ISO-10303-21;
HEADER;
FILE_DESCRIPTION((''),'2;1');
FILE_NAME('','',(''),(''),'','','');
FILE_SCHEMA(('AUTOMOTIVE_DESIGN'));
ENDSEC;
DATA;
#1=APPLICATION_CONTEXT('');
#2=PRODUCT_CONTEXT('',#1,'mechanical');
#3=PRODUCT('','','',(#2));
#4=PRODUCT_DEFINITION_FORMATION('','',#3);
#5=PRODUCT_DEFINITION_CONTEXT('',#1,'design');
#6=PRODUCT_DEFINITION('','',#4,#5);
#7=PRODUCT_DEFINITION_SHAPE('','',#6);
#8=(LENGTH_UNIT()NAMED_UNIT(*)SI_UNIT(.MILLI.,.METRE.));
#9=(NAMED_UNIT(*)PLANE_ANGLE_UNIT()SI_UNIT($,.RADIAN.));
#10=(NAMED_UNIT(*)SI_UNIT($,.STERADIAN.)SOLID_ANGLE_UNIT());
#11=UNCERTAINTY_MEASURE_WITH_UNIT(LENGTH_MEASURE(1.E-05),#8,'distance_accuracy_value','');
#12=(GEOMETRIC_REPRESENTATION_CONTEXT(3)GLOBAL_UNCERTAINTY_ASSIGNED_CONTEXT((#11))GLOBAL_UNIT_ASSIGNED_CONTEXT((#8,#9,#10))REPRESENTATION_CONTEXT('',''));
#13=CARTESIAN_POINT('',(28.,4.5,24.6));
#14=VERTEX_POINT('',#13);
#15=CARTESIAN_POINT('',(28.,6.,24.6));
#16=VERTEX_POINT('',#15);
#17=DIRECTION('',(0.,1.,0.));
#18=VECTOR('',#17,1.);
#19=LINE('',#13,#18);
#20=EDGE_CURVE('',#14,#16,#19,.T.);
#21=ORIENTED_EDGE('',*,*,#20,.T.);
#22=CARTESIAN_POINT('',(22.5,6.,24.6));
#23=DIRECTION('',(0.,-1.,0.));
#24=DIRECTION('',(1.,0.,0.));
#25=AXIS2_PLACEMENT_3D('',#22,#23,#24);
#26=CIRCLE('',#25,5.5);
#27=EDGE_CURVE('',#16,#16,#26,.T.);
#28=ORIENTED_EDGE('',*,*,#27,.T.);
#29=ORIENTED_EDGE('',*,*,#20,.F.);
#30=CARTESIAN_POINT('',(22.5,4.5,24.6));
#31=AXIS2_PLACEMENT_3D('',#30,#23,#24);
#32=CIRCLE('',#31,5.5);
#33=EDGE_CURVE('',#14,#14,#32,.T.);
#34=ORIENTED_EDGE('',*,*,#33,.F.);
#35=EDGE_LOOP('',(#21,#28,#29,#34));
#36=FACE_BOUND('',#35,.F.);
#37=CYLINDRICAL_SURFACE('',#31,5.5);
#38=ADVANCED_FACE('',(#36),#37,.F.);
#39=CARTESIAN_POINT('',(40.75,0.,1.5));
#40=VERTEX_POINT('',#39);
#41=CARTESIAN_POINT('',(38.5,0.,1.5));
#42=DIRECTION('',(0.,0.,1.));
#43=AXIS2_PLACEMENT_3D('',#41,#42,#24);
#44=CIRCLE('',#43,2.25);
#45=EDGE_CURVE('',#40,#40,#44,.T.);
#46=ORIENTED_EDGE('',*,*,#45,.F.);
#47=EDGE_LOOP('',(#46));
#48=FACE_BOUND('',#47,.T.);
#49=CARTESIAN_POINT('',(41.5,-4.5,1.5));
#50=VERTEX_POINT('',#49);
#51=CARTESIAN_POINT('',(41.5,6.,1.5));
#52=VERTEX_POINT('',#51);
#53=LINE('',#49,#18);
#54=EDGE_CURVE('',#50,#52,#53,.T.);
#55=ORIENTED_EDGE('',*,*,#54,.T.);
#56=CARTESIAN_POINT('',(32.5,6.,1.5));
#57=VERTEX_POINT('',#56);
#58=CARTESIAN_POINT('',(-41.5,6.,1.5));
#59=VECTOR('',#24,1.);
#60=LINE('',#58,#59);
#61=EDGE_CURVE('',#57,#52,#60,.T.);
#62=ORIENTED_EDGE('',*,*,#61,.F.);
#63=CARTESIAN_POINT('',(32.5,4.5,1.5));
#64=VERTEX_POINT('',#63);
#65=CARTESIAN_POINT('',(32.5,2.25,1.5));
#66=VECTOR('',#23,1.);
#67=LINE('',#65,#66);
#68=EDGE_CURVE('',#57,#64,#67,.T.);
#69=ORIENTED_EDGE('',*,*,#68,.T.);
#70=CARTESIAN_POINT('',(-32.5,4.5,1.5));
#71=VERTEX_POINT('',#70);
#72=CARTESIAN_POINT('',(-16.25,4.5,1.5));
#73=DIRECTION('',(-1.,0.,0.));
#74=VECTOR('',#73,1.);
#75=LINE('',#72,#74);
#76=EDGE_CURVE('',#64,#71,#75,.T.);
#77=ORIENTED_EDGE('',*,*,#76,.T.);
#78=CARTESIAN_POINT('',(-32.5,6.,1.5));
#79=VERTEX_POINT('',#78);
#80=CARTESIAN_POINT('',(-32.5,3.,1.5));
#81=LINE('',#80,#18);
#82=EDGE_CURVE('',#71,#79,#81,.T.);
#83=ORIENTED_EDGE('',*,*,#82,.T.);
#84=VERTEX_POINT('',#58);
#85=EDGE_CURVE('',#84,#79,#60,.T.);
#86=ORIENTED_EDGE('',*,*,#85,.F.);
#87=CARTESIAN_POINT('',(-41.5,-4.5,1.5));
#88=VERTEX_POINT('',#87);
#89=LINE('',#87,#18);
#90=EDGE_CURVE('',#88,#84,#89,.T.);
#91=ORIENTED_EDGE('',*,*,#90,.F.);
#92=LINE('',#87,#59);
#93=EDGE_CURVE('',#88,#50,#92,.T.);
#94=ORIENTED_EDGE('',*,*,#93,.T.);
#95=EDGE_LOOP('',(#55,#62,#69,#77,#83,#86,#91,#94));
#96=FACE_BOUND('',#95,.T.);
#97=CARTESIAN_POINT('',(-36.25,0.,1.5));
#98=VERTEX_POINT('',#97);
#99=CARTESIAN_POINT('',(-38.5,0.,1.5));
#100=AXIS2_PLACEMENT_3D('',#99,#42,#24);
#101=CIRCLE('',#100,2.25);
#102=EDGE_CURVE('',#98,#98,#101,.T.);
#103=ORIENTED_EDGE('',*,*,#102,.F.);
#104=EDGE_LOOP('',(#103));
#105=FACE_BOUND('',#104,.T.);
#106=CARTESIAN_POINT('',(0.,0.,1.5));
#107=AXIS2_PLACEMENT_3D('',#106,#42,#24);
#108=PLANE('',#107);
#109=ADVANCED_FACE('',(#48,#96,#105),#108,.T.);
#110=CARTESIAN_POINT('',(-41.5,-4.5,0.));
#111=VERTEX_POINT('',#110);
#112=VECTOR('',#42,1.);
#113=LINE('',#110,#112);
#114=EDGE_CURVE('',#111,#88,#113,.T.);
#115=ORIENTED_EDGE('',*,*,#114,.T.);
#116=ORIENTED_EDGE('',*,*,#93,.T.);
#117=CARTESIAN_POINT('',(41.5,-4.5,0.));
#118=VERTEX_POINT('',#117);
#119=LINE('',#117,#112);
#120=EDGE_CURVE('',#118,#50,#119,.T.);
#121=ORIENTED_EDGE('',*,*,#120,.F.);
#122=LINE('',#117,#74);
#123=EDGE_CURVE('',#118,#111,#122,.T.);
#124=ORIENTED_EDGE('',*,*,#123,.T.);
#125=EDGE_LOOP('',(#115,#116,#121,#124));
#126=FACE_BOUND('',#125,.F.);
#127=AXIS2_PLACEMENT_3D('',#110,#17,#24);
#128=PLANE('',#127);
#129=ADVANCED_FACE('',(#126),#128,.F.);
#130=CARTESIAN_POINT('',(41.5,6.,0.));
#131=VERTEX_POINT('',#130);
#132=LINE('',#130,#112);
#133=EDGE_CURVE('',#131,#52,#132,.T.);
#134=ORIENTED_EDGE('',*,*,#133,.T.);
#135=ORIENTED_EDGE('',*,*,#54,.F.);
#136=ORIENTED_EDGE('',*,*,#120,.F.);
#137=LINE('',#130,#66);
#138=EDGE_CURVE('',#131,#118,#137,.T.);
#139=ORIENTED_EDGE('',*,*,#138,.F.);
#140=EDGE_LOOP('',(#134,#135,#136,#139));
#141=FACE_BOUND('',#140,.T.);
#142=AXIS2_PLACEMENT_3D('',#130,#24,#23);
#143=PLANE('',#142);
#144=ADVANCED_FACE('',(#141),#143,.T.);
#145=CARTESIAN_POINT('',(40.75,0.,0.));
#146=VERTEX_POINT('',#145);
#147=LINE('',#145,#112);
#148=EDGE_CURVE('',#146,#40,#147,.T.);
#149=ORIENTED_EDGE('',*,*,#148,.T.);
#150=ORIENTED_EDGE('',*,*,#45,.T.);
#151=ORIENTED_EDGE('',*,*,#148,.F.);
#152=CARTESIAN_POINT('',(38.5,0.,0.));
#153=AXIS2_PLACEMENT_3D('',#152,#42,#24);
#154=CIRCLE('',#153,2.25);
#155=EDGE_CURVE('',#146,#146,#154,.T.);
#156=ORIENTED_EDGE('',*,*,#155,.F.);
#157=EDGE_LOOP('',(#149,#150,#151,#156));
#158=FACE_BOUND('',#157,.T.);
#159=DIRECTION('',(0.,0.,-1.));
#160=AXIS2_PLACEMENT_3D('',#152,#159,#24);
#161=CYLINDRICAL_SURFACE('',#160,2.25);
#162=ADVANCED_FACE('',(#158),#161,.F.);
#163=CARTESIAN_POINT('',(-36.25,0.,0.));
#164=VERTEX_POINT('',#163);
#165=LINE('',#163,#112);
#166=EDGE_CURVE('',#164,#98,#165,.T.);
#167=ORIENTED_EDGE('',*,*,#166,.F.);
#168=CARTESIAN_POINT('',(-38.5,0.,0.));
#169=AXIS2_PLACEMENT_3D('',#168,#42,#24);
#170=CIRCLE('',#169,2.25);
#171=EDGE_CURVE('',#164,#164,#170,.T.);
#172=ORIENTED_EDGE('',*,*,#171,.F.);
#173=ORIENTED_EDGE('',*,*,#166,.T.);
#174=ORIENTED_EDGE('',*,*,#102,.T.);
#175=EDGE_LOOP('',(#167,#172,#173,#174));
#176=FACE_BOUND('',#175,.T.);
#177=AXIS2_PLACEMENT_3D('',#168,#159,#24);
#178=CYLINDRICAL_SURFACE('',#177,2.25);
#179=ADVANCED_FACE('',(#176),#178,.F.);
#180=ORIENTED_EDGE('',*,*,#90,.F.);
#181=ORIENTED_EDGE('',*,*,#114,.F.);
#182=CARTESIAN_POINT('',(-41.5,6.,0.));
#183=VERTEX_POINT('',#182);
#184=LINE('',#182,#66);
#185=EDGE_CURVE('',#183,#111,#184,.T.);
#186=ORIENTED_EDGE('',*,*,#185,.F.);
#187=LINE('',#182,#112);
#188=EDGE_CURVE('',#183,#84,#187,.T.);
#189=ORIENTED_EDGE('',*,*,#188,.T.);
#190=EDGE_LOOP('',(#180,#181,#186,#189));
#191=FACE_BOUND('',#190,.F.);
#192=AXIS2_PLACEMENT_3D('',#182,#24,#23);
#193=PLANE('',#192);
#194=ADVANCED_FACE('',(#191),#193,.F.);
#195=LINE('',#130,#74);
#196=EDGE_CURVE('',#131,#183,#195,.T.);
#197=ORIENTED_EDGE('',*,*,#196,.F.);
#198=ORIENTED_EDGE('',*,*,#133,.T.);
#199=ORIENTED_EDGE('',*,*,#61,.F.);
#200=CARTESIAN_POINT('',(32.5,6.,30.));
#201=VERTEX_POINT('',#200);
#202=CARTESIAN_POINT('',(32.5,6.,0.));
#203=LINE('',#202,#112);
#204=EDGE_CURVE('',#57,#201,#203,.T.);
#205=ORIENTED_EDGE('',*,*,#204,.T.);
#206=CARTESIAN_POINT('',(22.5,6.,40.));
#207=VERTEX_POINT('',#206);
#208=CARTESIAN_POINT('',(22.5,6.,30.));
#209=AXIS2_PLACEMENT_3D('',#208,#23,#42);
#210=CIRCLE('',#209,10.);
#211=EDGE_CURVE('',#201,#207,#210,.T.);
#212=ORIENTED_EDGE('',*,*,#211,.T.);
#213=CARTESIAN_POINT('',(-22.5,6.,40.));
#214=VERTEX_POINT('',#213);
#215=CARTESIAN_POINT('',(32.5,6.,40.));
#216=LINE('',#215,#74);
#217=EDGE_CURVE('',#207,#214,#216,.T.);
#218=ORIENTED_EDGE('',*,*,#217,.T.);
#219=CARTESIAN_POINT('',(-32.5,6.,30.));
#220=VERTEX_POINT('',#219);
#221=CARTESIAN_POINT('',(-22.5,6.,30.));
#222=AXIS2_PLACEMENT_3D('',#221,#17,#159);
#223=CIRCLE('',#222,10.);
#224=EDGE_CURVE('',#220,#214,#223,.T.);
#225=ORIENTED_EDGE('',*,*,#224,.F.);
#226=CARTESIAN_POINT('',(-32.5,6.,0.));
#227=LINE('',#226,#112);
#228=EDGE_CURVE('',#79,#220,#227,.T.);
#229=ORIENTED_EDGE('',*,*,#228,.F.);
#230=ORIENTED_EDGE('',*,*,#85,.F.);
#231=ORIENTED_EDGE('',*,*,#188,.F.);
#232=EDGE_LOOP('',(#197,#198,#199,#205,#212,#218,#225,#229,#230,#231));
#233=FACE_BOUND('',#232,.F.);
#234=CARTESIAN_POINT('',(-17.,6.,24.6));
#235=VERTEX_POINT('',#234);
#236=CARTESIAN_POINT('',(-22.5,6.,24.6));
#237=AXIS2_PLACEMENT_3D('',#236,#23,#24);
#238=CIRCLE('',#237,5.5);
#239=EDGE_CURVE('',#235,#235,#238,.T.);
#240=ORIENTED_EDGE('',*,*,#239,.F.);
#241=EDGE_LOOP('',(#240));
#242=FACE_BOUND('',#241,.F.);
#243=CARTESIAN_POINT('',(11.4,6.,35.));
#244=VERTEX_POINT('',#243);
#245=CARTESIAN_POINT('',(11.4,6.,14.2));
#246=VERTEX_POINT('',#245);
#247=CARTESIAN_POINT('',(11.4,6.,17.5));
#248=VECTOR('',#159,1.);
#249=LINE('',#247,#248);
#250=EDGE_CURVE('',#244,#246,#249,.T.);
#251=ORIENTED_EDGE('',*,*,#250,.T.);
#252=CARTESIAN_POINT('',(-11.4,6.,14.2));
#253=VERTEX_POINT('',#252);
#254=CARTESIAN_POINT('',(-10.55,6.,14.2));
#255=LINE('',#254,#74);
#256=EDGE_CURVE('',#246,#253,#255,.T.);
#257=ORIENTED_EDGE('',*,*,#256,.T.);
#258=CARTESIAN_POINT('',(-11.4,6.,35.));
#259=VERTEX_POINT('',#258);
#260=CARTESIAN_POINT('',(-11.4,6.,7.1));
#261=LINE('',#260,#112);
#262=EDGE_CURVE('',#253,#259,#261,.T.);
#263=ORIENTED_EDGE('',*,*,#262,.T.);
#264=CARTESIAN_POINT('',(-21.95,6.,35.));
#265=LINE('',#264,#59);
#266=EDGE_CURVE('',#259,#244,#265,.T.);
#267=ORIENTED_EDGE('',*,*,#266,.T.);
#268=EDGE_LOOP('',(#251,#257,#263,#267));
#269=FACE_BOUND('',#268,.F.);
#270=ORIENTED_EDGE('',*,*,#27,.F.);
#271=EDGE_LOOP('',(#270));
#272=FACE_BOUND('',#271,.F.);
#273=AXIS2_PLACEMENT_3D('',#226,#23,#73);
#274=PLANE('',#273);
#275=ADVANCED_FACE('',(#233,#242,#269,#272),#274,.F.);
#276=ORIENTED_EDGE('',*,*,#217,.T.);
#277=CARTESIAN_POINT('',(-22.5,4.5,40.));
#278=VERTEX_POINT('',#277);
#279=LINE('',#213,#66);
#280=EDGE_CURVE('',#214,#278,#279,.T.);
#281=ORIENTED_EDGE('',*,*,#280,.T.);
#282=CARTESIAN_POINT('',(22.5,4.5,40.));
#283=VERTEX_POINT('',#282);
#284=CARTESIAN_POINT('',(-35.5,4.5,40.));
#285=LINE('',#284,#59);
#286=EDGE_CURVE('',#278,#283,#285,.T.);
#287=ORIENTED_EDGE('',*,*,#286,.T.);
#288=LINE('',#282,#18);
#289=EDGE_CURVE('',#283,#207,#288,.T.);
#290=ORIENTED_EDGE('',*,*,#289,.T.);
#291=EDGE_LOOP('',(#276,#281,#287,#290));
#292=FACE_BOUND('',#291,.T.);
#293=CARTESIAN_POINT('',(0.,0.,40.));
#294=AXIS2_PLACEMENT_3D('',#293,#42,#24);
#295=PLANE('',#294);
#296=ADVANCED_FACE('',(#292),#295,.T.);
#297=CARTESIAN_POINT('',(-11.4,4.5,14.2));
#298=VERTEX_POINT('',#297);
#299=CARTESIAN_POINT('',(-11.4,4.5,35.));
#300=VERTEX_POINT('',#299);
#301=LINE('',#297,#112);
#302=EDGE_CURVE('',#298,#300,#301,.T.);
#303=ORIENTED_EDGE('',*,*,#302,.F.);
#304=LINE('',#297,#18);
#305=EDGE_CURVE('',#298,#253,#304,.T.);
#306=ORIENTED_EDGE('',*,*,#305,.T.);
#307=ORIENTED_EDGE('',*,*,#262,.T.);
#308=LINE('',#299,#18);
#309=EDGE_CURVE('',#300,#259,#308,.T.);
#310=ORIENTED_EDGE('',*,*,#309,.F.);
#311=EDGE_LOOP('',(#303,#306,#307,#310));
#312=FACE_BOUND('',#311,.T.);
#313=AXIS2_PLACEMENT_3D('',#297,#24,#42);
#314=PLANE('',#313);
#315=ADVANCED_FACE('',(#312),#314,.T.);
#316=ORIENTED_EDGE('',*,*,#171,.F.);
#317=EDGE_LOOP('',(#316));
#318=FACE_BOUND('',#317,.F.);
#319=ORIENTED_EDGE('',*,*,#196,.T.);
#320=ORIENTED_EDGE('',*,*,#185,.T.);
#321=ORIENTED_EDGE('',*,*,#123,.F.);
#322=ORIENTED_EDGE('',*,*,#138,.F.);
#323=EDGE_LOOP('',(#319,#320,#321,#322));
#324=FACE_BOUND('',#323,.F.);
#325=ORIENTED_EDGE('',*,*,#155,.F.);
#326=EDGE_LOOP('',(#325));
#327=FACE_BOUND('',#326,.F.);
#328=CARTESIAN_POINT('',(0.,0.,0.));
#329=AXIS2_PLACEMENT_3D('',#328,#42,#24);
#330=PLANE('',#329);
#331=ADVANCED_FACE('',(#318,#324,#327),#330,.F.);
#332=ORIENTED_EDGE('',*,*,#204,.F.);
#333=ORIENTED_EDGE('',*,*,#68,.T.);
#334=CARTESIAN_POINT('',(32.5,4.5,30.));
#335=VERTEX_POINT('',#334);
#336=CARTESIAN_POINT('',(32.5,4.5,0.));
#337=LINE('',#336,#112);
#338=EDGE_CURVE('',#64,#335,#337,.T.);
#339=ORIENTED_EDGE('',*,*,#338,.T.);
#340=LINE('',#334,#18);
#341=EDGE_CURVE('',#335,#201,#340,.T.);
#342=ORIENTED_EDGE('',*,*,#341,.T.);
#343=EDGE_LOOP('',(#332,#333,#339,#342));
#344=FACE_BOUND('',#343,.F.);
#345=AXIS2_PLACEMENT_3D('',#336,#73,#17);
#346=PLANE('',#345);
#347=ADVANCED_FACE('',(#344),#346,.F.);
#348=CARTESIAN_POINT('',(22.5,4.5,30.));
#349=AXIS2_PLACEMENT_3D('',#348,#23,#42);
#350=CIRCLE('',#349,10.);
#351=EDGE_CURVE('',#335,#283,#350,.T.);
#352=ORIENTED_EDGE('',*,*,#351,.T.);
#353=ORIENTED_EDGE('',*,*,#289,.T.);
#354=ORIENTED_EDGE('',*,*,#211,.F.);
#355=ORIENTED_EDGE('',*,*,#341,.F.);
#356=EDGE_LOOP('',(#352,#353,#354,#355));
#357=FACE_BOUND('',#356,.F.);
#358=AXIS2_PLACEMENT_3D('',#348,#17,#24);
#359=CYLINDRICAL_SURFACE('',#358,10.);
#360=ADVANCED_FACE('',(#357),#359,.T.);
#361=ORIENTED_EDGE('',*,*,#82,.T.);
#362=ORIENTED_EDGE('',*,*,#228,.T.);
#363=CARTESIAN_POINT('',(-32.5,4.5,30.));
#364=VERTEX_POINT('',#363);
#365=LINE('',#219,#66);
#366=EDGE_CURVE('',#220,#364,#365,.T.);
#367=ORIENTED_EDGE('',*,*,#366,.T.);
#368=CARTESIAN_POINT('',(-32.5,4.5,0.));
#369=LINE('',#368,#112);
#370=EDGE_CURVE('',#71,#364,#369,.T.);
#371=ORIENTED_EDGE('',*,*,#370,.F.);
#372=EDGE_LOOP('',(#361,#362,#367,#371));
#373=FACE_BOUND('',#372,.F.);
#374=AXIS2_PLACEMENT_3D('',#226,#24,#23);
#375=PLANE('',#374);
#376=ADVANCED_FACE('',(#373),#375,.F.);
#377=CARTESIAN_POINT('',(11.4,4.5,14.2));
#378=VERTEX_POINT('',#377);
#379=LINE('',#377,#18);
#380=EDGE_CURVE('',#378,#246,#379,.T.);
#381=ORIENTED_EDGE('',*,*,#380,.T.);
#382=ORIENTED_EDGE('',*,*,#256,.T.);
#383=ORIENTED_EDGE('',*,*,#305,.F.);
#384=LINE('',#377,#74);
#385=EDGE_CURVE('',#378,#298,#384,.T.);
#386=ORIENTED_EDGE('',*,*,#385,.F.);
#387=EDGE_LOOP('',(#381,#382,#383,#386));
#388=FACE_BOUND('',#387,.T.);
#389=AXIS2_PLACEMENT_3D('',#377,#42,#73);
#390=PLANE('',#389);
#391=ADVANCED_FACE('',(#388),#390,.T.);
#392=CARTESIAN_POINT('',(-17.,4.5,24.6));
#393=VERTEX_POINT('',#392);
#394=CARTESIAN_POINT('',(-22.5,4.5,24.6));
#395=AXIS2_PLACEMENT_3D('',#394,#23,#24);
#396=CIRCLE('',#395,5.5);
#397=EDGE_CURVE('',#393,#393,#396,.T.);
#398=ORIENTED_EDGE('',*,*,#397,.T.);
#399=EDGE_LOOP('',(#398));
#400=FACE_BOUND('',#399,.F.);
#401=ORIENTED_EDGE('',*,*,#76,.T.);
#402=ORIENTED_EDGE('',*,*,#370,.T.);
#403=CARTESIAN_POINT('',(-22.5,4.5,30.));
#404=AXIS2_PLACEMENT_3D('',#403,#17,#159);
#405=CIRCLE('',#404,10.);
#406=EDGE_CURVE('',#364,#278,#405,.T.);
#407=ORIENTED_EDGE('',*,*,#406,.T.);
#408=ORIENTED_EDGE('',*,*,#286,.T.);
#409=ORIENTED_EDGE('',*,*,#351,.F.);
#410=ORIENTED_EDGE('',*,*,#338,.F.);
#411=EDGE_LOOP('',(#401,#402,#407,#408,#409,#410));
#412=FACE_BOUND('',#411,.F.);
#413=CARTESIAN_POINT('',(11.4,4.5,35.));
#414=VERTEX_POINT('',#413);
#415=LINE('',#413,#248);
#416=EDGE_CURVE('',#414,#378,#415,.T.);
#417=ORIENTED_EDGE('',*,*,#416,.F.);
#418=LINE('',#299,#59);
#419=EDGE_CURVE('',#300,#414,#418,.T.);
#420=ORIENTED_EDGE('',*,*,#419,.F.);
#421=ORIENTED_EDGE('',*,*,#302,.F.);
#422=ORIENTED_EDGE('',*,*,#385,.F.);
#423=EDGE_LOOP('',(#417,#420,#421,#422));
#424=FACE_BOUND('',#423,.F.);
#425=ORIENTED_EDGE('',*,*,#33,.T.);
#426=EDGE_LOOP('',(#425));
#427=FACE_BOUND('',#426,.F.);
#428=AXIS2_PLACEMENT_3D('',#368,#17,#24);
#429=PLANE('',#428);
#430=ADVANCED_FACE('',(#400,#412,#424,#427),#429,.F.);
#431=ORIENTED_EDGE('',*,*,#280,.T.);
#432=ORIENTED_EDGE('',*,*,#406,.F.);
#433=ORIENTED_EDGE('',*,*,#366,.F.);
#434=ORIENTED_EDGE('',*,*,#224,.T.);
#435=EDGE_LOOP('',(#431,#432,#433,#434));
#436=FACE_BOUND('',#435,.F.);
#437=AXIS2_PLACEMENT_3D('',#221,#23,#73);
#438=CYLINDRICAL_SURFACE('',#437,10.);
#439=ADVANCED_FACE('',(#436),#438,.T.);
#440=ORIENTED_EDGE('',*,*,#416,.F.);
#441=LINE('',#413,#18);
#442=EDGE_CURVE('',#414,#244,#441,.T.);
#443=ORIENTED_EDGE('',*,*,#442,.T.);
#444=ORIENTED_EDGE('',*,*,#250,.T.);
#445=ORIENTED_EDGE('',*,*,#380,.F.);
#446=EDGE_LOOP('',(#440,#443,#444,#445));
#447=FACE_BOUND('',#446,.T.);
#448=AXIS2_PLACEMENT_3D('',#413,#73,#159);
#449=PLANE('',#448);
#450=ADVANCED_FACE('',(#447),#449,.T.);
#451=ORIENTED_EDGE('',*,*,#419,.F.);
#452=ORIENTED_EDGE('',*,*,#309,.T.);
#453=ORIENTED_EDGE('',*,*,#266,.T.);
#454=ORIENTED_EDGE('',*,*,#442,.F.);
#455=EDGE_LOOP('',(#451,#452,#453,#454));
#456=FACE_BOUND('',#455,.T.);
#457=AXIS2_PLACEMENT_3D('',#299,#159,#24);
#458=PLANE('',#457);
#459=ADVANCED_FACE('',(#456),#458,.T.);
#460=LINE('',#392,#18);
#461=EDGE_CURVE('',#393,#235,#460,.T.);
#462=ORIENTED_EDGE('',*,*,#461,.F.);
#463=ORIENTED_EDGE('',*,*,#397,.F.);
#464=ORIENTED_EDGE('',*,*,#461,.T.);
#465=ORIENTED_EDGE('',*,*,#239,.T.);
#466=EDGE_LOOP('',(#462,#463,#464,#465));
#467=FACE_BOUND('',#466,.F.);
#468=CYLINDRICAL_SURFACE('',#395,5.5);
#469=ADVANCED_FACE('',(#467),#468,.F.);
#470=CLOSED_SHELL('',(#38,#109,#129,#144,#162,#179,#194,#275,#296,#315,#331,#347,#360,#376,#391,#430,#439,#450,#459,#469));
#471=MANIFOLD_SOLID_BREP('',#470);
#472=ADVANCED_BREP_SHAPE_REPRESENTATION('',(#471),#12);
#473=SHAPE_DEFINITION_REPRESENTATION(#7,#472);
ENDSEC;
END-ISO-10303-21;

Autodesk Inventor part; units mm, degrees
ref_plane "YZ Plane" through (0, 0, 0) normal (1, 0, 0) x (0, 1, 0)
ref_plane "XZ Plane" through (0, 0, 0) normal (0, 1, 0) x (-1, 0, 0)
ref_plane "XY Plane" through (0, 0, 0) normal (0, 0, 1) x (1, 0, 0)
sketch "Sketch1" plane through (0, 0, 0) normal (0, 0, 1) x (1, 0, 0)
  line L0 (-35.5, 4.5) -> (35.5, 4.5)
  line L1 (35.5, 4.5) -> (35.5, -4.5)
  line L2 (35.5, -4.5) -> (-35.5, -4.5)
  line L3 (-35.5, -4.5) -> (-35.5, 4.5)
  line L4 (-35.5, 4.5) -> (-41.5, 4.5)
  line L5 (-41.5, 4.5) -> (-41.5, -4.5)
  line L6 (-41.5, -4.5) -> (-35.5, -4.5)
  line L7 (-35.5, -4.5) -> (-35.5, 4.5)
  line L8 (35.5, 4.5) -> (41.5, 4.5)
  line L9 (41.5, 4.5) -> (41.5, -4.5)
  line L10 (41.5, -4.5) -> (35.5, -4.5)
  line L11 (35.5, -4.5) -> (35.5, 4.5)
  line L12 (-41.5, 0) -> (41.5, 0) construction
  circle A0 centre (-38.5, 0) radius 2.25
  circle A1 centre (38.5, 0) radius 2.25
  line L13 (0, 4.5) -> (0, -4.5) construction
  line L14 (-32.5, 4.5) -> (32.5, 4.5)
  line L15 (32.5, 4.5) -> (32.5, 6)
  line L16 (32.5, 6) -> (-32.5, 6)
  line L17 (-32.5, 6) -> (-32.5, 4.5)
  line L18 (-32.5, 6) -> (-41.5, 6)
  line L19 (-41.5, 6) -> (-41.5, 4.5)
  line L20 (-41.5, 4.5) -> (-32.5, 4.5)
  line L21 (-32.5, 4.5) -> (-32.5, 6)
  line L22 (32.5, 6) -> (41.5, 6)
  line L23 (41.5, 6) -> (41.5, 4.5)
  line L24 (41.5, 4.5) -> (32.5, 4.5)
  line L25 (32.5, 4.5) -> (32.5, 6)
  point P0 (0, 0)
  point P1 (0, 0)
  point P2 (0, 7)
  point P3 (0, 0)
  point P4 (0, 6)
  dimension "d0" = 9
  dimension "d1" = 71
  dimension "d2" = 4.5
  dimension "d3" = 4.5
  dimension "d4" = 3
  dimension "d5" = 3
  dimension "d6" = 3
  dimension "d7" = 3
  dimension "d12" = 65
  dimension "d13" = 1.5
extrude "Extrusion1" add sketch "Sketch1" along normal blind 1.5
extrude "Extrusion2" add sketch "Sketch1" along normal blind 40 contours L17 L16 L15 L0
sketch "Sketch2" plane through (-41.5, 4.5, 1.5) normal (0, -1, 0) x (1, 0, 0)
  line L0 (74, 0) -> (74, 38.5) projected
  line L1 (9, 38.5) -> (74, 38.5) projected
  line L2 (9, 0) -> (9, 38.5) projected
  circle A0 centre (19, 23.1) radius 5.5
  circle A1 centre (64, 23.1) radius 5.5
  line L3 (41.5, 38.5) -> (41.5, -1.5) construction
  line L4 (30.1, 33.5) -> (52.9, 33.5)
  line L5 (52.9, 33.5) -> (52.9, 12.7)
  line L6 (52.9, 12.7) -> (30.1, 12.7)
  line L7 (30.1, 12.7) -> (30.1, 33.5)
  line L8 (30.1, 23.1) -> (52.9, 23.1) construction
  point P0 (41.5, 33.5)
  dimension "d16" = 11
  dimension "d17" = 11
  dimension "d19" = 10
  dimension "d21" = 10
  dimension "d22" = 5
  dimension "d23" = 22.8
  dimension "d24" = 20.8
extrude "Extrusion3" cut sketch "Sketch2" against normal blind 10
fillet "Fillet1" radius 10 2 edges at (-32.5, 5.25, 40) (32.5, 5.25, 40)
properties part number "MotorBar"
